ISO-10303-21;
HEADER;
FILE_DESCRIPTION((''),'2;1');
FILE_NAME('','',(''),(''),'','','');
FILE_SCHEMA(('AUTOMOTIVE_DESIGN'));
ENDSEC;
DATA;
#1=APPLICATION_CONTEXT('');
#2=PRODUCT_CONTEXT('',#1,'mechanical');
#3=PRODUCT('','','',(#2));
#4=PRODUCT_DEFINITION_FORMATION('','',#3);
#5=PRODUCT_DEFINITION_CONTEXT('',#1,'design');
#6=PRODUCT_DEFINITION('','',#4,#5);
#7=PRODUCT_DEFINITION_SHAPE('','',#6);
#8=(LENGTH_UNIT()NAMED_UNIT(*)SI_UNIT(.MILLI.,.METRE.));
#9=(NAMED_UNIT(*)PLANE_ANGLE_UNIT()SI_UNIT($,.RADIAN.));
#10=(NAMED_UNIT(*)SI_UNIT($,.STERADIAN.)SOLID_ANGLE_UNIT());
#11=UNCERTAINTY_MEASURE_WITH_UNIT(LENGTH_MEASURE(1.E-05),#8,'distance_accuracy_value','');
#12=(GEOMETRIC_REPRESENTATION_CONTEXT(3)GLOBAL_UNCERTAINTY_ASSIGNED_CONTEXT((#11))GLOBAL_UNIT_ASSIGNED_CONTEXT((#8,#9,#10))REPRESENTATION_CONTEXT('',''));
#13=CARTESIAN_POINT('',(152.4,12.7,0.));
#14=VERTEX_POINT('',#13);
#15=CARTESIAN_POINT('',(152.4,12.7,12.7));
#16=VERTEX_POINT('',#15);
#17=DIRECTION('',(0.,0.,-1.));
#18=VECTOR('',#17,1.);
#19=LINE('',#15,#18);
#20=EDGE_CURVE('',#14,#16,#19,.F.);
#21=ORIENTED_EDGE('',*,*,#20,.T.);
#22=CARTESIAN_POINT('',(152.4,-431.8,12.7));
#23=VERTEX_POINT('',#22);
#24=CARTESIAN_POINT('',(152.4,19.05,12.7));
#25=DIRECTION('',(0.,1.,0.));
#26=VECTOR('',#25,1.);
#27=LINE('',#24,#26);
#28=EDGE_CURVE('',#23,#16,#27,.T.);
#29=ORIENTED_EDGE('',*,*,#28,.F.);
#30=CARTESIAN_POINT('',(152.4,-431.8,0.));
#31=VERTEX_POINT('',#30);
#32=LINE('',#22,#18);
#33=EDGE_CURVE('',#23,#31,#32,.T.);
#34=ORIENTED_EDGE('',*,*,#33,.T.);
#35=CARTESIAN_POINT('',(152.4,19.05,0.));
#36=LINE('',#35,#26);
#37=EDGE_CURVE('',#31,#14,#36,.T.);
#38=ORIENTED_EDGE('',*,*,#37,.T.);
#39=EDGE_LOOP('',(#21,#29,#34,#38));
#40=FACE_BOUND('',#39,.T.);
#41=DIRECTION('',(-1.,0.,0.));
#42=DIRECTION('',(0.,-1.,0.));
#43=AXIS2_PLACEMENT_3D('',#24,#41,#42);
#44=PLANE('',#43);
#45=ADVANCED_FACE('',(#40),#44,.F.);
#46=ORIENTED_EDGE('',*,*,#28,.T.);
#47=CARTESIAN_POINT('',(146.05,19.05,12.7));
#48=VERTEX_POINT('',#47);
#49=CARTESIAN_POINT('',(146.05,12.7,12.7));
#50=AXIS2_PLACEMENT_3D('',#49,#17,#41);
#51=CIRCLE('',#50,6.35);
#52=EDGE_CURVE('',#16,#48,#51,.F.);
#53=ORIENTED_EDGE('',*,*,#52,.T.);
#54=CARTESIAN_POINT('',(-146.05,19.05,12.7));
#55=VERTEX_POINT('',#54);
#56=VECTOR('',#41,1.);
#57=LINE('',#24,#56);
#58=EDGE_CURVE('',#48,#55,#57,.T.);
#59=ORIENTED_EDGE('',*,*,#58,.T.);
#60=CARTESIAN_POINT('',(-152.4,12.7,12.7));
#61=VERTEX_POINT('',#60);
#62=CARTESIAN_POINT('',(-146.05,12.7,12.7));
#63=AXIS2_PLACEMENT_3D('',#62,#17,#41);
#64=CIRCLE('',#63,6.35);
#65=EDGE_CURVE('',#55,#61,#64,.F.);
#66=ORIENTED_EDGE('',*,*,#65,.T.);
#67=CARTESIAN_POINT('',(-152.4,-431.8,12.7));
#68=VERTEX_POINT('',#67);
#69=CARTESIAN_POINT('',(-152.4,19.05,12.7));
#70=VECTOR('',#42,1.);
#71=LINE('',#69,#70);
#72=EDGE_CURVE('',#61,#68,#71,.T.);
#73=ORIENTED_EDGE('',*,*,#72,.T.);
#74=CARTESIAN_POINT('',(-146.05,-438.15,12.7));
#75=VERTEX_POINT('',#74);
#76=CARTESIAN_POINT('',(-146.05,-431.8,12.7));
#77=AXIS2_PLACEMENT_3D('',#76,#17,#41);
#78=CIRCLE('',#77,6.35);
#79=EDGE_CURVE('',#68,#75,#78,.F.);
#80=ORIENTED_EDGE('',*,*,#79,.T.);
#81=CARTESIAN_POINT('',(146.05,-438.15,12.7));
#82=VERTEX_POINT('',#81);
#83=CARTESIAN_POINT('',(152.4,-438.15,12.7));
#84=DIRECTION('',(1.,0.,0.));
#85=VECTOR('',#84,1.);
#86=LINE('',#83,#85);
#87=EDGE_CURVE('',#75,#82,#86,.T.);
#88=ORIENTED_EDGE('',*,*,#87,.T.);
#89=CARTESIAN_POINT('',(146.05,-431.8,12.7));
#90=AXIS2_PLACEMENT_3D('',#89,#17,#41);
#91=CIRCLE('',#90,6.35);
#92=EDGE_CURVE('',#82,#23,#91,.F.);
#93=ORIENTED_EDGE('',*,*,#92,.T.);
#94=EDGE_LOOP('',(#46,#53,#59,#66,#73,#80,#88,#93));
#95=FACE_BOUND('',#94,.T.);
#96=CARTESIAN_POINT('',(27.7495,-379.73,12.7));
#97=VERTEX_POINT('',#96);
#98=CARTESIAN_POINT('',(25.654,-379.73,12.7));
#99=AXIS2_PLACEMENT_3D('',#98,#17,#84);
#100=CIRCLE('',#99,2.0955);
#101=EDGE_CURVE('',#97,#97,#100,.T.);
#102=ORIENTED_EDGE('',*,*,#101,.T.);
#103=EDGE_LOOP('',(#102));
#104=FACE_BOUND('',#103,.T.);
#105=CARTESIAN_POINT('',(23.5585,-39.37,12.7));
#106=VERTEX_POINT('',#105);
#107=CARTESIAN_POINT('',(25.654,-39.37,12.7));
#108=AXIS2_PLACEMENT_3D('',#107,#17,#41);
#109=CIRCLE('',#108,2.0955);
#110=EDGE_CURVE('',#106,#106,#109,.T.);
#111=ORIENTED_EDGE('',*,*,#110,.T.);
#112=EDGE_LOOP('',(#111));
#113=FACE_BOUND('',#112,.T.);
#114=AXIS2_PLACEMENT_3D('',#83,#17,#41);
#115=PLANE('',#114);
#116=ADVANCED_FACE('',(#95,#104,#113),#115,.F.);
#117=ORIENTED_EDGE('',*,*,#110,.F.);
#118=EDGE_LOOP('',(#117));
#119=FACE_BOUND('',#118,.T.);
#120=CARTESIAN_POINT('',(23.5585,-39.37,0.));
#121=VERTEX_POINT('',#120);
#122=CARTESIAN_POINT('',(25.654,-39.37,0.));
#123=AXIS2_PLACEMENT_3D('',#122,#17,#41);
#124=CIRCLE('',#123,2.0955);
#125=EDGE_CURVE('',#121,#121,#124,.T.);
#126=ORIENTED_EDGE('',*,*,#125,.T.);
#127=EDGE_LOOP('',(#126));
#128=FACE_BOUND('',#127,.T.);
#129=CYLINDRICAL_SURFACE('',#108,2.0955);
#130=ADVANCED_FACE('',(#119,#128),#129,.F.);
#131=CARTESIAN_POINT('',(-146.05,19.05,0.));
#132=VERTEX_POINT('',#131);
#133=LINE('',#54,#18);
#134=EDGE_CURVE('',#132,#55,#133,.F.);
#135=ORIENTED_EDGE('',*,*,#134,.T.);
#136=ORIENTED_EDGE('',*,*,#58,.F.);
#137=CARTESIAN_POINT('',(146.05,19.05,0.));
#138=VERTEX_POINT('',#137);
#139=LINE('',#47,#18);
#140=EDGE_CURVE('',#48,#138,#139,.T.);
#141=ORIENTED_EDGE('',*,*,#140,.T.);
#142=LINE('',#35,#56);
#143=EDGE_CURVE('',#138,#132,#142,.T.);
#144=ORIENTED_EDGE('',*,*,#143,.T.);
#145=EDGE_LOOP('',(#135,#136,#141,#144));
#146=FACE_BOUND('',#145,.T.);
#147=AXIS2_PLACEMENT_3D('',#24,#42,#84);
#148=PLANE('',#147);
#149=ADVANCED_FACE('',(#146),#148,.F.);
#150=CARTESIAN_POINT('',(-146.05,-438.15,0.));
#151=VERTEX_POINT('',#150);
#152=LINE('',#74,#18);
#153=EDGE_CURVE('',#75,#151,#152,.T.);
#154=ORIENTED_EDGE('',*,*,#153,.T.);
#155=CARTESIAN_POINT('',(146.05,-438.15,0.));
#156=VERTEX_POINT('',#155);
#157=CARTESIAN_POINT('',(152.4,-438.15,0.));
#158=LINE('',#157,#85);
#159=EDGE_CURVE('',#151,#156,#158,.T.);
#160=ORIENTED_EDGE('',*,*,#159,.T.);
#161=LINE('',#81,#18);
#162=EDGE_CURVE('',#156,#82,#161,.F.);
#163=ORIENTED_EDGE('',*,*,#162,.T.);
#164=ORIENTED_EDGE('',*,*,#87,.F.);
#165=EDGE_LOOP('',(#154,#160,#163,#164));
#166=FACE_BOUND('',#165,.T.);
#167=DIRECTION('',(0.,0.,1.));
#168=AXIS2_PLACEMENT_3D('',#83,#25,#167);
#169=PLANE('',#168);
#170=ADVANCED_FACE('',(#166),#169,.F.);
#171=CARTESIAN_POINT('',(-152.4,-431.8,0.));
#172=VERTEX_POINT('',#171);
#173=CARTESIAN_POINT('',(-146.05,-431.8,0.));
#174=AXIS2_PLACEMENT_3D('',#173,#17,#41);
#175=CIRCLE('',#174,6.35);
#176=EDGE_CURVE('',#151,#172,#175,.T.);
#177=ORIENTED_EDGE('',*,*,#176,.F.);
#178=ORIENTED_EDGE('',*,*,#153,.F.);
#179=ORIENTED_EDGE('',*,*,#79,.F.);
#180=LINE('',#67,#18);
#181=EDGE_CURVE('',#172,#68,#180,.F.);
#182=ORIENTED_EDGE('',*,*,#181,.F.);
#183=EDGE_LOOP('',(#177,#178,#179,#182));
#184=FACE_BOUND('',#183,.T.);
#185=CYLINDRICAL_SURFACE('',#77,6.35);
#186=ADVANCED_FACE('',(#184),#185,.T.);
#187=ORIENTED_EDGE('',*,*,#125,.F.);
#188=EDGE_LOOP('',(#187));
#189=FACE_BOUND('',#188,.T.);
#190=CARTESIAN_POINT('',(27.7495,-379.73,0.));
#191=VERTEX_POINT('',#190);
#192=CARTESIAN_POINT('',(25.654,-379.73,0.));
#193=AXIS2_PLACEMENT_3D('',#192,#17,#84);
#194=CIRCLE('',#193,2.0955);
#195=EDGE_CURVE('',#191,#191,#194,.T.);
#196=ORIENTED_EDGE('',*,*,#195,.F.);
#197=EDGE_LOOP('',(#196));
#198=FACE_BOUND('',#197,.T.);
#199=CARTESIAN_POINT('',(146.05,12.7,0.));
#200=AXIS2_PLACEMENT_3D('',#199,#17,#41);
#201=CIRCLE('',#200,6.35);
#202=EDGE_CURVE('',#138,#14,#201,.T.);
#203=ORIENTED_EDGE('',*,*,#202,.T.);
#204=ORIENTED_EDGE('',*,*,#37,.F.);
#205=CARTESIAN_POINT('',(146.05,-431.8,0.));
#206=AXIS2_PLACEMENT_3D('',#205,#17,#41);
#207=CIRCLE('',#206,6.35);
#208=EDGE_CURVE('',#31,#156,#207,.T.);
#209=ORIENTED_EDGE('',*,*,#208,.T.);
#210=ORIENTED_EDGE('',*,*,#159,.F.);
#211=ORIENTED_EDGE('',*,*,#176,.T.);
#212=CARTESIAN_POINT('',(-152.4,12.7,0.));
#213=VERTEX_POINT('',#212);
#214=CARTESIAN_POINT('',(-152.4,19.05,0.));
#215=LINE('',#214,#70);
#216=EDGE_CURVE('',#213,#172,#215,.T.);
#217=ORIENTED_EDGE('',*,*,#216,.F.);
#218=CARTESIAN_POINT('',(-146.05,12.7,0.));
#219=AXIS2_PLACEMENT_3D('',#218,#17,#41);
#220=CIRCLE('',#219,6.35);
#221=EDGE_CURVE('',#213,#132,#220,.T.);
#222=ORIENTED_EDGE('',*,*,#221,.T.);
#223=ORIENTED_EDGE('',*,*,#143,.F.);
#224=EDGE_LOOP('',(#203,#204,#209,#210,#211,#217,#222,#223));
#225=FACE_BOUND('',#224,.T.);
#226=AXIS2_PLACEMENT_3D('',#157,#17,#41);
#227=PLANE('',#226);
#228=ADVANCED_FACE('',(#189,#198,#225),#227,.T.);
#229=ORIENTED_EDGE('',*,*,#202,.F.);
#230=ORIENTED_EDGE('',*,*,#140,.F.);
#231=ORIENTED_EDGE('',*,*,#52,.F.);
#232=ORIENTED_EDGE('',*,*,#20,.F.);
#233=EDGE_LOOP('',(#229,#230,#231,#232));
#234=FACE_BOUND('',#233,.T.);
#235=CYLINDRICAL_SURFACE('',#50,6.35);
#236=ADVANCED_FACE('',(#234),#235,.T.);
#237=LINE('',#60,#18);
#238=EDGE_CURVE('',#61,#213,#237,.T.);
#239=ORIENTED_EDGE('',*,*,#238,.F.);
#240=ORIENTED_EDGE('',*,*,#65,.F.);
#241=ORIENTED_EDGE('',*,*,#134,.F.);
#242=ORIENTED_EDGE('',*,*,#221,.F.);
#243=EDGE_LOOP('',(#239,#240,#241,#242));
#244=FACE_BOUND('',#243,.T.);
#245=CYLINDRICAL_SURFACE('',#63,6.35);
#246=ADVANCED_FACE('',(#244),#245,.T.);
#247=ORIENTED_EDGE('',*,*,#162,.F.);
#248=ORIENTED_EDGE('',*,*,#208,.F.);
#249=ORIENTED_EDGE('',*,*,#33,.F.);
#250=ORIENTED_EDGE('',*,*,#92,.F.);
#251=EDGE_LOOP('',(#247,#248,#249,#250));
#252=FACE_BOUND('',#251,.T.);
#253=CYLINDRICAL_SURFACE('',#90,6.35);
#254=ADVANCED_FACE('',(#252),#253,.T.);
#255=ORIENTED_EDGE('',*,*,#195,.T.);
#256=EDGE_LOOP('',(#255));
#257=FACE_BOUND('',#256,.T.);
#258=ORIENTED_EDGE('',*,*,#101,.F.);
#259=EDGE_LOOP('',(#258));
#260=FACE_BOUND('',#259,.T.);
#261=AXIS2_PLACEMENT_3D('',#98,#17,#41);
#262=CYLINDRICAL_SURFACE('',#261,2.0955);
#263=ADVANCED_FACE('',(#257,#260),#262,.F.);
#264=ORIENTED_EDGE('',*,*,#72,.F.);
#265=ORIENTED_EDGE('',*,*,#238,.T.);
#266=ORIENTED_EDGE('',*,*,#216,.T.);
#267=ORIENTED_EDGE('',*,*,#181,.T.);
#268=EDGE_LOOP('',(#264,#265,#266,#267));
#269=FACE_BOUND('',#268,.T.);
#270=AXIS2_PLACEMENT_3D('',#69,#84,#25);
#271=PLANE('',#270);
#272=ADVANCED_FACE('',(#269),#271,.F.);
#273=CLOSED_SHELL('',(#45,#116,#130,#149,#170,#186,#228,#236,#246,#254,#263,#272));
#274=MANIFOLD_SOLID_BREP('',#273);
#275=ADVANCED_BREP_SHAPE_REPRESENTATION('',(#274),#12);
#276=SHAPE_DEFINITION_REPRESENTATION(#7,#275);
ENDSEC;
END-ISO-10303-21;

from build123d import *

# Parameters (mm, degrees)
SKETCH2_W           = 304.8
SKETCH2_H           = 457.2
BOSS_EXTRUDE1_DEPTH = 12.7
FILLET1_R           = 6.35
SKETCH4_R           = 2.0955
CUT_EXTRUDE1_DEPTH  = 465.071624321


with BuildPart() as part:
    # Sketch2 → Boss-Extrude1 (new body)
    with BuildSketch(Plane.XY):
        with Locations((0, -209.55)):
            Rectangle(SKETCH2_W, SKETCH2_H)
    extrude(amount=BOSS_EXTRUDE1_DEPTH)

    # Fillet1
    fillet1_edges = [part.edges().sort_by_distance(p)[0] for p in [
        (152.4, -438.15, 6.35),
        (-152.4, -438.15, 6.35),
        (-152.4, 19.05, 6.35),
        (152.4, 19.05, 6.35),
    ]]
    fillet(fillet1_edges, radius=FILLET1_R)

    # Sketch4 → Cut-Extrude1 (cut, through all)
    with BuildSketch(Plane(origin=(0, 0, 0), x_dir=(-1, 0, 0), z_dir=(0, 0, -1))):
        with Locations((-25.654, -39.37)):
            Circle(SKETCH4_R)
        with Locations(Location((-25.654, -379.73, 0), (0, 0, 180))):
            Circle(SKETCH4_R)
    extrude(amount=-CUT_EXTRUDE1_DEPTH, mode=Mode.SUBTRACT)


solid = part.part
